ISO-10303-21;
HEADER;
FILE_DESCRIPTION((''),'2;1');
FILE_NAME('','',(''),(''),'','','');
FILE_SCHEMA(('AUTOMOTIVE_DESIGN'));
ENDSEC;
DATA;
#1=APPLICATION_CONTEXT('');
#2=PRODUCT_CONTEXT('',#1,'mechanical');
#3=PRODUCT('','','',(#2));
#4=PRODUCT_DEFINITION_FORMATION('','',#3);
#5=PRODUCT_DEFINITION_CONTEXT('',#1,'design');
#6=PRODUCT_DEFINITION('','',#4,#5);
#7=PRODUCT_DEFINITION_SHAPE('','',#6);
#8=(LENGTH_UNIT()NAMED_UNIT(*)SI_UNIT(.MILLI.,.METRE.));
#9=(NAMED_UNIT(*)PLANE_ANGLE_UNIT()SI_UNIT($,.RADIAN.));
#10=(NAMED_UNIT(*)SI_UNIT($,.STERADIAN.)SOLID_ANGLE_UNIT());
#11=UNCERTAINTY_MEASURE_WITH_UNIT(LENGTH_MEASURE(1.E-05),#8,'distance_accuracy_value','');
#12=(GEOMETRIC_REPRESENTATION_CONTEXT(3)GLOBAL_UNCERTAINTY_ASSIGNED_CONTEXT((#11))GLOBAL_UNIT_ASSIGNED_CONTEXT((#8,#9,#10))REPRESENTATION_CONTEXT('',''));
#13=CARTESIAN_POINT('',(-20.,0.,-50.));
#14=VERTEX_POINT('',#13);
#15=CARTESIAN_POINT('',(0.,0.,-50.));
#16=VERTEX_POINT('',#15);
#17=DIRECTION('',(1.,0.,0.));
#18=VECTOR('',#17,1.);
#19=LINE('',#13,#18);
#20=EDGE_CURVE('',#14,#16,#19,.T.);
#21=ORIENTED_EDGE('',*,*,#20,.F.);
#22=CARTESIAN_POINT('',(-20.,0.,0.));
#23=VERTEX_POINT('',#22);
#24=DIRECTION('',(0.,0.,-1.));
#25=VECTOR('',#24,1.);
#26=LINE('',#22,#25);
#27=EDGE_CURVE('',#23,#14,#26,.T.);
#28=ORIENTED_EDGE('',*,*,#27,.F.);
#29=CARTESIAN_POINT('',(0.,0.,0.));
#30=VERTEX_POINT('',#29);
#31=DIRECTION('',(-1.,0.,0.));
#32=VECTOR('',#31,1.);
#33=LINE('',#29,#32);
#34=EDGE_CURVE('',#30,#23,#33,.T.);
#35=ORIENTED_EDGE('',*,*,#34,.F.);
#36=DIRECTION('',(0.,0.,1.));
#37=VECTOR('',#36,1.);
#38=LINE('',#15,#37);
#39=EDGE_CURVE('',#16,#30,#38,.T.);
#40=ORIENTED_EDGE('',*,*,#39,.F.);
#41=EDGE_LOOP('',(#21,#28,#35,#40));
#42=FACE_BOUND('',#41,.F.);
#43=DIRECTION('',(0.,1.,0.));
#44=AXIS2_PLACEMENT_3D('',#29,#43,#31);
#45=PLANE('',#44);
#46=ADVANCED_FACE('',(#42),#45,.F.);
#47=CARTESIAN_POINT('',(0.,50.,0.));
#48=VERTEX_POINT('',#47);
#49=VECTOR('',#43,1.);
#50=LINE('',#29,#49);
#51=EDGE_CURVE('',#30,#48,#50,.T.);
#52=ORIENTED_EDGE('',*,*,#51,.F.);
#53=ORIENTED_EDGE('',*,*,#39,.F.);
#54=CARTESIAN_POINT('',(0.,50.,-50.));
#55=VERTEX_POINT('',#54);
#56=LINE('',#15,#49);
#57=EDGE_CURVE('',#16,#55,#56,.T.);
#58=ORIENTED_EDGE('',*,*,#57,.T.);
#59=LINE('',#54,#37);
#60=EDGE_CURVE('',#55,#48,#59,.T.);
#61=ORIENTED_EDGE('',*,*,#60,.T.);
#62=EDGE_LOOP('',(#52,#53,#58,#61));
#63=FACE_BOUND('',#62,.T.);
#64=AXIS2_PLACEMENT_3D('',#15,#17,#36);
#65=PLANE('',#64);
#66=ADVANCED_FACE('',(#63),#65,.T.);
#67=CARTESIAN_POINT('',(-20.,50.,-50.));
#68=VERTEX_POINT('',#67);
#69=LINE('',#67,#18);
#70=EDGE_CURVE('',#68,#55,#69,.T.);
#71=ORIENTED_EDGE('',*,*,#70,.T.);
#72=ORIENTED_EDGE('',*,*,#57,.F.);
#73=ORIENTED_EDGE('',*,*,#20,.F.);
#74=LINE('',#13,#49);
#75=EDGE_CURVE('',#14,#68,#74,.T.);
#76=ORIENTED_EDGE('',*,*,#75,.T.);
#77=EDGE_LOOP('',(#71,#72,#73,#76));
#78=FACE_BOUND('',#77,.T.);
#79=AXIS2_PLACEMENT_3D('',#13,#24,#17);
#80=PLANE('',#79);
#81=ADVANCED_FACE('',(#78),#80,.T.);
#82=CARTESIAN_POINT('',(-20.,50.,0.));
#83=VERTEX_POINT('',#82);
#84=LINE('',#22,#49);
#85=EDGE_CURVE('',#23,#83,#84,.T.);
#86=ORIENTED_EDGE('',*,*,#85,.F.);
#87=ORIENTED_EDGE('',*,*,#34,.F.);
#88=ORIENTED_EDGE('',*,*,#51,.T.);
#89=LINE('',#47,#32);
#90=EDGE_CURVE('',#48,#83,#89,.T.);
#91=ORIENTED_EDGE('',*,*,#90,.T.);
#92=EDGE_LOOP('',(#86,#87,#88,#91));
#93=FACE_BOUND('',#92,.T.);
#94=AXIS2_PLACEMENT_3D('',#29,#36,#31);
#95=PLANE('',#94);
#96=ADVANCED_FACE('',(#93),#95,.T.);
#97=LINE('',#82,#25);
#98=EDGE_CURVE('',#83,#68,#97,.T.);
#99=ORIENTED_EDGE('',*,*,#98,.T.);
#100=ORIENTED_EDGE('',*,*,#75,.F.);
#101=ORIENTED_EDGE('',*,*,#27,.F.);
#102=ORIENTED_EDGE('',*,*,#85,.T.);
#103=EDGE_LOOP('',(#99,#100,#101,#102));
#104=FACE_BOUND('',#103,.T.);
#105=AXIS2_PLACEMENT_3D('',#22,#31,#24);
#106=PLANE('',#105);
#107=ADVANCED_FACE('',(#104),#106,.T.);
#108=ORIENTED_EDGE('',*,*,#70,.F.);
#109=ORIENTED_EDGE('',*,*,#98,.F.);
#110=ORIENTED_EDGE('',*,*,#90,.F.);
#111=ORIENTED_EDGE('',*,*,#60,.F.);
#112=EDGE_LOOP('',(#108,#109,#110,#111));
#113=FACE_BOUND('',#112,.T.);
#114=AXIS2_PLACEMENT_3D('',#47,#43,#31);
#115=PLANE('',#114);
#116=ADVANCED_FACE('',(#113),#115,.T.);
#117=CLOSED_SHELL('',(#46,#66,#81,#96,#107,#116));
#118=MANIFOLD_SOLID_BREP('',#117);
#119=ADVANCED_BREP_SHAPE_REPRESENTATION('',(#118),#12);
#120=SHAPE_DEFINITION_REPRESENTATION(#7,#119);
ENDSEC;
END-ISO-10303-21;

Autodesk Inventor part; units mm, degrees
ref_plane "YZ Plane" through (0, 0, 0) normal (1, 0, 0) x (0, 1, 0)
ref_plane "XZ Plane" through (0, 0, 0) normal (0, 1, 0) x (-1, 0, 0)
ref_plane "XY Plane" through (0, 0, 0) normal (0, 0, 1) x (1, 0, 0)
sketch "Sketch2" plane through (0, 0, 0) normal (0, 1, 0) x (-1, 0, 0)
  line L0 (0, 0) -> (20, 0)
  line L1 (20, 0) -> (20, -50)
  line L2 (20, -50) -> (0, -50)
  line L3 (0, -50) -> (0, 0)
  dimension "d0" = 20
  dimension "d1" = 50
extrude "Extrusion1" add sketch "Sketch2" along normal blind 50
properties part number "exercicio3 - peça1"
